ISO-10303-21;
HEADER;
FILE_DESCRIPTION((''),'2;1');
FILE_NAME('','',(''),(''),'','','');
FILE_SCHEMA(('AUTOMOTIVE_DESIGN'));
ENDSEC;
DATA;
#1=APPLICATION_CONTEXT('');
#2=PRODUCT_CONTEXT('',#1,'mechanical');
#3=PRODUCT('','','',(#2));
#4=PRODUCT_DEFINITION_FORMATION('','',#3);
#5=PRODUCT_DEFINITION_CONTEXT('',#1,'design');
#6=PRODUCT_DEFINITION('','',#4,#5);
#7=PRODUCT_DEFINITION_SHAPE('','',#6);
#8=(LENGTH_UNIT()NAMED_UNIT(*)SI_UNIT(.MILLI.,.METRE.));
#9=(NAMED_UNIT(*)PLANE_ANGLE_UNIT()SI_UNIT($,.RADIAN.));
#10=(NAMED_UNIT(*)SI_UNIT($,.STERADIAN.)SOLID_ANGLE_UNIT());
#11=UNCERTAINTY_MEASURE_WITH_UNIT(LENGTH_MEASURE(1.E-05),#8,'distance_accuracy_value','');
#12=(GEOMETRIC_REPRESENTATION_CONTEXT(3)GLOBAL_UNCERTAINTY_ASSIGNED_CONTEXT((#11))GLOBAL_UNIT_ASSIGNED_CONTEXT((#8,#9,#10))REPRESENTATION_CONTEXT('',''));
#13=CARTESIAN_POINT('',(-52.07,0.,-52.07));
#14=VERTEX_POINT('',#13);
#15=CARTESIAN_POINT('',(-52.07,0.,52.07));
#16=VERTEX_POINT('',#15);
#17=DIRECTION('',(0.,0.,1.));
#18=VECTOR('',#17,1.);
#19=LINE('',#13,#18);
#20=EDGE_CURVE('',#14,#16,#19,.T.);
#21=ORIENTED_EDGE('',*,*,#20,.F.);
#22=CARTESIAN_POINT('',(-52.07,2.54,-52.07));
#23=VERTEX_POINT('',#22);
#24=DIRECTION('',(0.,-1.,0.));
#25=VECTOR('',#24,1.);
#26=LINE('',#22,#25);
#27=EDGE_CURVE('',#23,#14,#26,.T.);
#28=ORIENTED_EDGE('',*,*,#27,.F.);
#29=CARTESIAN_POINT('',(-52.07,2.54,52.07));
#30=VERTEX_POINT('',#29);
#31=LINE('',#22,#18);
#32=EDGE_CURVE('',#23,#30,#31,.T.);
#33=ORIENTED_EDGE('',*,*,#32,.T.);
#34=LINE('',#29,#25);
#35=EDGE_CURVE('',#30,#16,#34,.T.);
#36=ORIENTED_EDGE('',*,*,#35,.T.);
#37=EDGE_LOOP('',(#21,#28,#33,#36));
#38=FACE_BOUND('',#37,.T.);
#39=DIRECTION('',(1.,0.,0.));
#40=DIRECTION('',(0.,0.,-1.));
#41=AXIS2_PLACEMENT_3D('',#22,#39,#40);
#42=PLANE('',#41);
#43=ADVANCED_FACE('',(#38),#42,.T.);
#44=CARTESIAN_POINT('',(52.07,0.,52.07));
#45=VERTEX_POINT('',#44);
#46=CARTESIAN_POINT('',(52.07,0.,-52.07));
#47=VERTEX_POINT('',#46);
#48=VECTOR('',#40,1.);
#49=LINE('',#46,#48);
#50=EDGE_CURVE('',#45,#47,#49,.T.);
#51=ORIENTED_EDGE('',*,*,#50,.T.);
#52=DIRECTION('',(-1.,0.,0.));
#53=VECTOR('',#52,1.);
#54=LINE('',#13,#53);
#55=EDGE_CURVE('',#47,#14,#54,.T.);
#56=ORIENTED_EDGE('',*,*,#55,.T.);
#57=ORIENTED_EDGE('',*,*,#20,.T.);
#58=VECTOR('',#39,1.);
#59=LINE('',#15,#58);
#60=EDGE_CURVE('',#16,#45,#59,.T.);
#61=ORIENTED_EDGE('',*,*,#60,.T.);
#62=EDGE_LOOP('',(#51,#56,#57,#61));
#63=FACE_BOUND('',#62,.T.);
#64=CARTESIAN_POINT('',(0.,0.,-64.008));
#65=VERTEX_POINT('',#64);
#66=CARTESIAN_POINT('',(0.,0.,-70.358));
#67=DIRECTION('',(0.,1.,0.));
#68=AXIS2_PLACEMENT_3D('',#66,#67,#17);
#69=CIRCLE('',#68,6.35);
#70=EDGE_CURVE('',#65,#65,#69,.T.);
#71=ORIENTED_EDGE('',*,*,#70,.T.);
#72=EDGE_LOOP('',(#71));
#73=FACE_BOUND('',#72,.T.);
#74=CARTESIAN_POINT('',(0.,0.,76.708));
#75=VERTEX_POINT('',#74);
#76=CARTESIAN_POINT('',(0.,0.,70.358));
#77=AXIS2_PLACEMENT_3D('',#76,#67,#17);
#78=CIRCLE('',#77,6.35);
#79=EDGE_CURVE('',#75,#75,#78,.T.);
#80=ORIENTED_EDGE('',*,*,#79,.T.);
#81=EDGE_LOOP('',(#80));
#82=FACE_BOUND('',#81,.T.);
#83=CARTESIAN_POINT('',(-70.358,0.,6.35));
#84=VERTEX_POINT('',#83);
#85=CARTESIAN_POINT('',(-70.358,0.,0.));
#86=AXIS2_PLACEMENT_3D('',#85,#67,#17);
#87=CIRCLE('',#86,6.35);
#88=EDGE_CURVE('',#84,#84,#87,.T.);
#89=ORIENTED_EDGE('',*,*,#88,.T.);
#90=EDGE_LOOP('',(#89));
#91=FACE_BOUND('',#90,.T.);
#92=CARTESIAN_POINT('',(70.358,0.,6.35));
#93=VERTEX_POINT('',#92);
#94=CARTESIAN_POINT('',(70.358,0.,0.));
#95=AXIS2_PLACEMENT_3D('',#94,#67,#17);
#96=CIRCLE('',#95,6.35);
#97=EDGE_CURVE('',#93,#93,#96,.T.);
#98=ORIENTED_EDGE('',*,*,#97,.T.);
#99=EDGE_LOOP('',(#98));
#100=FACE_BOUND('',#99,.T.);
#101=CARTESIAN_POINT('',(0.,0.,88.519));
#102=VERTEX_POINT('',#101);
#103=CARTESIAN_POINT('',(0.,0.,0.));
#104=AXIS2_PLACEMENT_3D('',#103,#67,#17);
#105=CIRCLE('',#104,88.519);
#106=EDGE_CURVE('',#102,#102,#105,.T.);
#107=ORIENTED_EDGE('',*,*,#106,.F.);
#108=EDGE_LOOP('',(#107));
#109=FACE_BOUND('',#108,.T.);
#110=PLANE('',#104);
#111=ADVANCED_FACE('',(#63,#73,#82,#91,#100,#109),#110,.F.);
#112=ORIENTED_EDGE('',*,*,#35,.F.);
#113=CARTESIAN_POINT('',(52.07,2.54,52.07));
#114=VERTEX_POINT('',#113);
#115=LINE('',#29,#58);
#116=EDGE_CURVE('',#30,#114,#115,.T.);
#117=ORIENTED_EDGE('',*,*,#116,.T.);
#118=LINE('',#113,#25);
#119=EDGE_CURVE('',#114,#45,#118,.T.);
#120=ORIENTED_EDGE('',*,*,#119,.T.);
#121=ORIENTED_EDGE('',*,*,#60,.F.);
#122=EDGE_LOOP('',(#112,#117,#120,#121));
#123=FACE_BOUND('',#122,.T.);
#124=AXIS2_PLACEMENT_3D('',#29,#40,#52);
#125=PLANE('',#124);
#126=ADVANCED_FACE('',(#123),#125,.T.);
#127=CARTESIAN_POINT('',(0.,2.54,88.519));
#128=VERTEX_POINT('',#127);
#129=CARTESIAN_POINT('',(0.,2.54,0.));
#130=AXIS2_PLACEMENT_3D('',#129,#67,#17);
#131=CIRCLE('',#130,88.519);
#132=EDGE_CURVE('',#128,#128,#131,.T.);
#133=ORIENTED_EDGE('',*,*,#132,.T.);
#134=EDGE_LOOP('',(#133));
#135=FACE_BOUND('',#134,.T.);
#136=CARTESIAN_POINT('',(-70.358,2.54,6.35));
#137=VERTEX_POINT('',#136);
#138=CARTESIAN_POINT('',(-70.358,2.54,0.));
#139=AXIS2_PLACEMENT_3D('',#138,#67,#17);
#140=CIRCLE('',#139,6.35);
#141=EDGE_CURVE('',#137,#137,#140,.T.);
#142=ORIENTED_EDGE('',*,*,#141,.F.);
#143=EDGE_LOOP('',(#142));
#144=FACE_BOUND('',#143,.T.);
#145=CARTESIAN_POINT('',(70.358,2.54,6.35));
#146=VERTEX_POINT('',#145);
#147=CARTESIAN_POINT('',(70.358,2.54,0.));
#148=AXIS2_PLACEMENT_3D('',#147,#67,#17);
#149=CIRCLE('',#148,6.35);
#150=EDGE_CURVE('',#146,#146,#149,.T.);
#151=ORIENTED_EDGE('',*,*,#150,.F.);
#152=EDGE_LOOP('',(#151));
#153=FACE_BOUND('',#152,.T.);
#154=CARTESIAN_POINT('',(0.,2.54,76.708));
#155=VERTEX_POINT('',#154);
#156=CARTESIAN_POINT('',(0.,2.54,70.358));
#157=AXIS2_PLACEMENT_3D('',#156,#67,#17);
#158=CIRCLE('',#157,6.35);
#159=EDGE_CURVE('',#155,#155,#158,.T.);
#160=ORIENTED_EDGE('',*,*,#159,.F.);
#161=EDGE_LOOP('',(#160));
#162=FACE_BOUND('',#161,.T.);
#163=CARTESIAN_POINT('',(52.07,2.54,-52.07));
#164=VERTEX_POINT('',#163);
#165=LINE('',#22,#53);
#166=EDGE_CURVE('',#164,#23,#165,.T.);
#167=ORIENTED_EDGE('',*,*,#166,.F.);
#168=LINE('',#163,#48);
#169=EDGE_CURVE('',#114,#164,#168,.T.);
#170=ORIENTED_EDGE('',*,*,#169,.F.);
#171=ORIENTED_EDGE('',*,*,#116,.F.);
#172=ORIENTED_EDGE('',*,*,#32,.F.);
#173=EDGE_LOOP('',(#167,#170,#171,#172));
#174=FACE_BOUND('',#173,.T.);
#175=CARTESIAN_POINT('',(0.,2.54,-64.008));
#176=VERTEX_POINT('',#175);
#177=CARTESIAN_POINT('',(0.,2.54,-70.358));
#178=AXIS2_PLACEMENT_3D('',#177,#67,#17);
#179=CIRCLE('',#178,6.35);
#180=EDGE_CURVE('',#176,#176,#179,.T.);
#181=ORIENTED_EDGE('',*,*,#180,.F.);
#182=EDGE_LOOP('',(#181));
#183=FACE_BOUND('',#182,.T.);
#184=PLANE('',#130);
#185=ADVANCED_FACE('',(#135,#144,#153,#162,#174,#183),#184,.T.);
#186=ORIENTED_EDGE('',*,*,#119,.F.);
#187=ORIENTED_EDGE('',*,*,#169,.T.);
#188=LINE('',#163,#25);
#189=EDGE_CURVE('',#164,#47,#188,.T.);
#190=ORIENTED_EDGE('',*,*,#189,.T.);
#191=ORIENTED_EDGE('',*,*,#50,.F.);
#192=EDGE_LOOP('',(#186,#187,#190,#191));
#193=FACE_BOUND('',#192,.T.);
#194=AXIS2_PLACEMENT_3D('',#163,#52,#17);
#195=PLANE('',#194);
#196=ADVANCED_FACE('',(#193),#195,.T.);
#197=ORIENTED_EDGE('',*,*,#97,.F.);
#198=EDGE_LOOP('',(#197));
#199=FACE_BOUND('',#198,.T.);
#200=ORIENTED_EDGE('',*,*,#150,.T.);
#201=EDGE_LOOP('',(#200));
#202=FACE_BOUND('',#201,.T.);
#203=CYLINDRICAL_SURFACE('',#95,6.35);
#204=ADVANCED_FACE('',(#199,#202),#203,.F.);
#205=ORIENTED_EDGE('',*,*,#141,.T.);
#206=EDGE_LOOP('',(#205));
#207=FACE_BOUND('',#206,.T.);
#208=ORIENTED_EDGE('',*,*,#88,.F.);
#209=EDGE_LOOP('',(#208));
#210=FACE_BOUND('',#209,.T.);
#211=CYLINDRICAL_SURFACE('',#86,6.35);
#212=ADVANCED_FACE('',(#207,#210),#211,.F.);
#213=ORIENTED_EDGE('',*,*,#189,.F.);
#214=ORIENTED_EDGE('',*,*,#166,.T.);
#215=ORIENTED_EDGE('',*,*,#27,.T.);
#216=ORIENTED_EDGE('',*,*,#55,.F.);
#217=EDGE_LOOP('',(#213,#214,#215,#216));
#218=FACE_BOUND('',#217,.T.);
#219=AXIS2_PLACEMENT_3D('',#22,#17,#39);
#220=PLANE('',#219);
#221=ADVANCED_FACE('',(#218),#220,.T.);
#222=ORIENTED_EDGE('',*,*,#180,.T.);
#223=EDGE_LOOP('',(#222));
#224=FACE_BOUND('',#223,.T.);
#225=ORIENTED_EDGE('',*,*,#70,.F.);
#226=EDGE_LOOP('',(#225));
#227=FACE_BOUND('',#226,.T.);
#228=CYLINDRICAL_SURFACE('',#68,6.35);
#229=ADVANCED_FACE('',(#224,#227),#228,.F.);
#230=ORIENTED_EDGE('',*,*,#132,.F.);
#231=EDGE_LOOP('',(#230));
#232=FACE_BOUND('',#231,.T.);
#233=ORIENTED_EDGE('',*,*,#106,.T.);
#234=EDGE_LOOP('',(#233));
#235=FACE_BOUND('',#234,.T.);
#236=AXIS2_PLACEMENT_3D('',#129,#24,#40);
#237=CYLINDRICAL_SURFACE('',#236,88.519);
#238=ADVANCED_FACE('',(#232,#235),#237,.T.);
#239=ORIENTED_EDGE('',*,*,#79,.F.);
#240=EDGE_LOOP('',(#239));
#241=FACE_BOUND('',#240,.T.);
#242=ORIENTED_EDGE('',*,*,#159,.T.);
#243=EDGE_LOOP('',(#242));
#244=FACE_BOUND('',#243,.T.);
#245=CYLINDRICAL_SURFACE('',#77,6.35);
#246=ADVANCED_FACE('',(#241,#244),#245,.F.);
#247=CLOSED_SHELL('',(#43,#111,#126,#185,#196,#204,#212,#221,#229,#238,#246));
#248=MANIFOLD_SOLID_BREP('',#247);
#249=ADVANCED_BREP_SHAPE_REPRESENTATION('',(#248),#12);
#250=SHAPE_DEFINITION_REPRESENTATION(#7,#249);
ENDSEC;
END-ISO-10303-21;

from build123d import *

# Parameters (mm, degrees)
SKETCH1_R           = 88.519
SKETCH1_W           = 104.14
SKETCH1_H           = 104.14
BOSS_EXTRUDE1_DEPTH = 2.54
SKETCH2_R           = 6.35
CUT_EXTRUDE1_DEPTH  = 126.210535986


with BuildPart() as part:
    # Sketch1 → Boss-Extrude1 (new body)
    with BuildSketch(Plane(origin=(0, 0, 0), x_dir=(1, 0, 0), z_dir=(0, 1, 0))):
        with Locations(Location((0, 0, 0), (0, 0, 270))):
            Circle(SKETCH1_R)
        Rectangle(SKETCH1_W, SKETCH1_H, mode=Mode.SUBTRACT)
    extrude(amount=BOSS_EXTRUDE1_DEPTH)

    # Sketch2 → Cut-Extrude1 (cut, through all)
    with BuildSketch(Plane(origin=(0, 2.54, 0), x_dir=(1, 0, 0), z_dir=(0, 1, 0))):
        with Locations(Location((0, 70.358, 0), (0, 0, 270))):
            Circle(SKETCH2_R)
        with Locations(Location((70.358, 0, 0), (0, 0, 270))):
            Circle(SKETCH2_R)
        with Locations(Location((0, -70.358, 0), (0, 0, 270))):
            Circle(SKETCH2_R)
        with Locations(Location((-70.358, 0, 0), (0, 0, 270))):
            Circle(SKETCH2_R)
    extrude(amount=-CUT_EXTRUDE1_DEPTH, mode=Mode.SUBTRACT)


solid = part.part
